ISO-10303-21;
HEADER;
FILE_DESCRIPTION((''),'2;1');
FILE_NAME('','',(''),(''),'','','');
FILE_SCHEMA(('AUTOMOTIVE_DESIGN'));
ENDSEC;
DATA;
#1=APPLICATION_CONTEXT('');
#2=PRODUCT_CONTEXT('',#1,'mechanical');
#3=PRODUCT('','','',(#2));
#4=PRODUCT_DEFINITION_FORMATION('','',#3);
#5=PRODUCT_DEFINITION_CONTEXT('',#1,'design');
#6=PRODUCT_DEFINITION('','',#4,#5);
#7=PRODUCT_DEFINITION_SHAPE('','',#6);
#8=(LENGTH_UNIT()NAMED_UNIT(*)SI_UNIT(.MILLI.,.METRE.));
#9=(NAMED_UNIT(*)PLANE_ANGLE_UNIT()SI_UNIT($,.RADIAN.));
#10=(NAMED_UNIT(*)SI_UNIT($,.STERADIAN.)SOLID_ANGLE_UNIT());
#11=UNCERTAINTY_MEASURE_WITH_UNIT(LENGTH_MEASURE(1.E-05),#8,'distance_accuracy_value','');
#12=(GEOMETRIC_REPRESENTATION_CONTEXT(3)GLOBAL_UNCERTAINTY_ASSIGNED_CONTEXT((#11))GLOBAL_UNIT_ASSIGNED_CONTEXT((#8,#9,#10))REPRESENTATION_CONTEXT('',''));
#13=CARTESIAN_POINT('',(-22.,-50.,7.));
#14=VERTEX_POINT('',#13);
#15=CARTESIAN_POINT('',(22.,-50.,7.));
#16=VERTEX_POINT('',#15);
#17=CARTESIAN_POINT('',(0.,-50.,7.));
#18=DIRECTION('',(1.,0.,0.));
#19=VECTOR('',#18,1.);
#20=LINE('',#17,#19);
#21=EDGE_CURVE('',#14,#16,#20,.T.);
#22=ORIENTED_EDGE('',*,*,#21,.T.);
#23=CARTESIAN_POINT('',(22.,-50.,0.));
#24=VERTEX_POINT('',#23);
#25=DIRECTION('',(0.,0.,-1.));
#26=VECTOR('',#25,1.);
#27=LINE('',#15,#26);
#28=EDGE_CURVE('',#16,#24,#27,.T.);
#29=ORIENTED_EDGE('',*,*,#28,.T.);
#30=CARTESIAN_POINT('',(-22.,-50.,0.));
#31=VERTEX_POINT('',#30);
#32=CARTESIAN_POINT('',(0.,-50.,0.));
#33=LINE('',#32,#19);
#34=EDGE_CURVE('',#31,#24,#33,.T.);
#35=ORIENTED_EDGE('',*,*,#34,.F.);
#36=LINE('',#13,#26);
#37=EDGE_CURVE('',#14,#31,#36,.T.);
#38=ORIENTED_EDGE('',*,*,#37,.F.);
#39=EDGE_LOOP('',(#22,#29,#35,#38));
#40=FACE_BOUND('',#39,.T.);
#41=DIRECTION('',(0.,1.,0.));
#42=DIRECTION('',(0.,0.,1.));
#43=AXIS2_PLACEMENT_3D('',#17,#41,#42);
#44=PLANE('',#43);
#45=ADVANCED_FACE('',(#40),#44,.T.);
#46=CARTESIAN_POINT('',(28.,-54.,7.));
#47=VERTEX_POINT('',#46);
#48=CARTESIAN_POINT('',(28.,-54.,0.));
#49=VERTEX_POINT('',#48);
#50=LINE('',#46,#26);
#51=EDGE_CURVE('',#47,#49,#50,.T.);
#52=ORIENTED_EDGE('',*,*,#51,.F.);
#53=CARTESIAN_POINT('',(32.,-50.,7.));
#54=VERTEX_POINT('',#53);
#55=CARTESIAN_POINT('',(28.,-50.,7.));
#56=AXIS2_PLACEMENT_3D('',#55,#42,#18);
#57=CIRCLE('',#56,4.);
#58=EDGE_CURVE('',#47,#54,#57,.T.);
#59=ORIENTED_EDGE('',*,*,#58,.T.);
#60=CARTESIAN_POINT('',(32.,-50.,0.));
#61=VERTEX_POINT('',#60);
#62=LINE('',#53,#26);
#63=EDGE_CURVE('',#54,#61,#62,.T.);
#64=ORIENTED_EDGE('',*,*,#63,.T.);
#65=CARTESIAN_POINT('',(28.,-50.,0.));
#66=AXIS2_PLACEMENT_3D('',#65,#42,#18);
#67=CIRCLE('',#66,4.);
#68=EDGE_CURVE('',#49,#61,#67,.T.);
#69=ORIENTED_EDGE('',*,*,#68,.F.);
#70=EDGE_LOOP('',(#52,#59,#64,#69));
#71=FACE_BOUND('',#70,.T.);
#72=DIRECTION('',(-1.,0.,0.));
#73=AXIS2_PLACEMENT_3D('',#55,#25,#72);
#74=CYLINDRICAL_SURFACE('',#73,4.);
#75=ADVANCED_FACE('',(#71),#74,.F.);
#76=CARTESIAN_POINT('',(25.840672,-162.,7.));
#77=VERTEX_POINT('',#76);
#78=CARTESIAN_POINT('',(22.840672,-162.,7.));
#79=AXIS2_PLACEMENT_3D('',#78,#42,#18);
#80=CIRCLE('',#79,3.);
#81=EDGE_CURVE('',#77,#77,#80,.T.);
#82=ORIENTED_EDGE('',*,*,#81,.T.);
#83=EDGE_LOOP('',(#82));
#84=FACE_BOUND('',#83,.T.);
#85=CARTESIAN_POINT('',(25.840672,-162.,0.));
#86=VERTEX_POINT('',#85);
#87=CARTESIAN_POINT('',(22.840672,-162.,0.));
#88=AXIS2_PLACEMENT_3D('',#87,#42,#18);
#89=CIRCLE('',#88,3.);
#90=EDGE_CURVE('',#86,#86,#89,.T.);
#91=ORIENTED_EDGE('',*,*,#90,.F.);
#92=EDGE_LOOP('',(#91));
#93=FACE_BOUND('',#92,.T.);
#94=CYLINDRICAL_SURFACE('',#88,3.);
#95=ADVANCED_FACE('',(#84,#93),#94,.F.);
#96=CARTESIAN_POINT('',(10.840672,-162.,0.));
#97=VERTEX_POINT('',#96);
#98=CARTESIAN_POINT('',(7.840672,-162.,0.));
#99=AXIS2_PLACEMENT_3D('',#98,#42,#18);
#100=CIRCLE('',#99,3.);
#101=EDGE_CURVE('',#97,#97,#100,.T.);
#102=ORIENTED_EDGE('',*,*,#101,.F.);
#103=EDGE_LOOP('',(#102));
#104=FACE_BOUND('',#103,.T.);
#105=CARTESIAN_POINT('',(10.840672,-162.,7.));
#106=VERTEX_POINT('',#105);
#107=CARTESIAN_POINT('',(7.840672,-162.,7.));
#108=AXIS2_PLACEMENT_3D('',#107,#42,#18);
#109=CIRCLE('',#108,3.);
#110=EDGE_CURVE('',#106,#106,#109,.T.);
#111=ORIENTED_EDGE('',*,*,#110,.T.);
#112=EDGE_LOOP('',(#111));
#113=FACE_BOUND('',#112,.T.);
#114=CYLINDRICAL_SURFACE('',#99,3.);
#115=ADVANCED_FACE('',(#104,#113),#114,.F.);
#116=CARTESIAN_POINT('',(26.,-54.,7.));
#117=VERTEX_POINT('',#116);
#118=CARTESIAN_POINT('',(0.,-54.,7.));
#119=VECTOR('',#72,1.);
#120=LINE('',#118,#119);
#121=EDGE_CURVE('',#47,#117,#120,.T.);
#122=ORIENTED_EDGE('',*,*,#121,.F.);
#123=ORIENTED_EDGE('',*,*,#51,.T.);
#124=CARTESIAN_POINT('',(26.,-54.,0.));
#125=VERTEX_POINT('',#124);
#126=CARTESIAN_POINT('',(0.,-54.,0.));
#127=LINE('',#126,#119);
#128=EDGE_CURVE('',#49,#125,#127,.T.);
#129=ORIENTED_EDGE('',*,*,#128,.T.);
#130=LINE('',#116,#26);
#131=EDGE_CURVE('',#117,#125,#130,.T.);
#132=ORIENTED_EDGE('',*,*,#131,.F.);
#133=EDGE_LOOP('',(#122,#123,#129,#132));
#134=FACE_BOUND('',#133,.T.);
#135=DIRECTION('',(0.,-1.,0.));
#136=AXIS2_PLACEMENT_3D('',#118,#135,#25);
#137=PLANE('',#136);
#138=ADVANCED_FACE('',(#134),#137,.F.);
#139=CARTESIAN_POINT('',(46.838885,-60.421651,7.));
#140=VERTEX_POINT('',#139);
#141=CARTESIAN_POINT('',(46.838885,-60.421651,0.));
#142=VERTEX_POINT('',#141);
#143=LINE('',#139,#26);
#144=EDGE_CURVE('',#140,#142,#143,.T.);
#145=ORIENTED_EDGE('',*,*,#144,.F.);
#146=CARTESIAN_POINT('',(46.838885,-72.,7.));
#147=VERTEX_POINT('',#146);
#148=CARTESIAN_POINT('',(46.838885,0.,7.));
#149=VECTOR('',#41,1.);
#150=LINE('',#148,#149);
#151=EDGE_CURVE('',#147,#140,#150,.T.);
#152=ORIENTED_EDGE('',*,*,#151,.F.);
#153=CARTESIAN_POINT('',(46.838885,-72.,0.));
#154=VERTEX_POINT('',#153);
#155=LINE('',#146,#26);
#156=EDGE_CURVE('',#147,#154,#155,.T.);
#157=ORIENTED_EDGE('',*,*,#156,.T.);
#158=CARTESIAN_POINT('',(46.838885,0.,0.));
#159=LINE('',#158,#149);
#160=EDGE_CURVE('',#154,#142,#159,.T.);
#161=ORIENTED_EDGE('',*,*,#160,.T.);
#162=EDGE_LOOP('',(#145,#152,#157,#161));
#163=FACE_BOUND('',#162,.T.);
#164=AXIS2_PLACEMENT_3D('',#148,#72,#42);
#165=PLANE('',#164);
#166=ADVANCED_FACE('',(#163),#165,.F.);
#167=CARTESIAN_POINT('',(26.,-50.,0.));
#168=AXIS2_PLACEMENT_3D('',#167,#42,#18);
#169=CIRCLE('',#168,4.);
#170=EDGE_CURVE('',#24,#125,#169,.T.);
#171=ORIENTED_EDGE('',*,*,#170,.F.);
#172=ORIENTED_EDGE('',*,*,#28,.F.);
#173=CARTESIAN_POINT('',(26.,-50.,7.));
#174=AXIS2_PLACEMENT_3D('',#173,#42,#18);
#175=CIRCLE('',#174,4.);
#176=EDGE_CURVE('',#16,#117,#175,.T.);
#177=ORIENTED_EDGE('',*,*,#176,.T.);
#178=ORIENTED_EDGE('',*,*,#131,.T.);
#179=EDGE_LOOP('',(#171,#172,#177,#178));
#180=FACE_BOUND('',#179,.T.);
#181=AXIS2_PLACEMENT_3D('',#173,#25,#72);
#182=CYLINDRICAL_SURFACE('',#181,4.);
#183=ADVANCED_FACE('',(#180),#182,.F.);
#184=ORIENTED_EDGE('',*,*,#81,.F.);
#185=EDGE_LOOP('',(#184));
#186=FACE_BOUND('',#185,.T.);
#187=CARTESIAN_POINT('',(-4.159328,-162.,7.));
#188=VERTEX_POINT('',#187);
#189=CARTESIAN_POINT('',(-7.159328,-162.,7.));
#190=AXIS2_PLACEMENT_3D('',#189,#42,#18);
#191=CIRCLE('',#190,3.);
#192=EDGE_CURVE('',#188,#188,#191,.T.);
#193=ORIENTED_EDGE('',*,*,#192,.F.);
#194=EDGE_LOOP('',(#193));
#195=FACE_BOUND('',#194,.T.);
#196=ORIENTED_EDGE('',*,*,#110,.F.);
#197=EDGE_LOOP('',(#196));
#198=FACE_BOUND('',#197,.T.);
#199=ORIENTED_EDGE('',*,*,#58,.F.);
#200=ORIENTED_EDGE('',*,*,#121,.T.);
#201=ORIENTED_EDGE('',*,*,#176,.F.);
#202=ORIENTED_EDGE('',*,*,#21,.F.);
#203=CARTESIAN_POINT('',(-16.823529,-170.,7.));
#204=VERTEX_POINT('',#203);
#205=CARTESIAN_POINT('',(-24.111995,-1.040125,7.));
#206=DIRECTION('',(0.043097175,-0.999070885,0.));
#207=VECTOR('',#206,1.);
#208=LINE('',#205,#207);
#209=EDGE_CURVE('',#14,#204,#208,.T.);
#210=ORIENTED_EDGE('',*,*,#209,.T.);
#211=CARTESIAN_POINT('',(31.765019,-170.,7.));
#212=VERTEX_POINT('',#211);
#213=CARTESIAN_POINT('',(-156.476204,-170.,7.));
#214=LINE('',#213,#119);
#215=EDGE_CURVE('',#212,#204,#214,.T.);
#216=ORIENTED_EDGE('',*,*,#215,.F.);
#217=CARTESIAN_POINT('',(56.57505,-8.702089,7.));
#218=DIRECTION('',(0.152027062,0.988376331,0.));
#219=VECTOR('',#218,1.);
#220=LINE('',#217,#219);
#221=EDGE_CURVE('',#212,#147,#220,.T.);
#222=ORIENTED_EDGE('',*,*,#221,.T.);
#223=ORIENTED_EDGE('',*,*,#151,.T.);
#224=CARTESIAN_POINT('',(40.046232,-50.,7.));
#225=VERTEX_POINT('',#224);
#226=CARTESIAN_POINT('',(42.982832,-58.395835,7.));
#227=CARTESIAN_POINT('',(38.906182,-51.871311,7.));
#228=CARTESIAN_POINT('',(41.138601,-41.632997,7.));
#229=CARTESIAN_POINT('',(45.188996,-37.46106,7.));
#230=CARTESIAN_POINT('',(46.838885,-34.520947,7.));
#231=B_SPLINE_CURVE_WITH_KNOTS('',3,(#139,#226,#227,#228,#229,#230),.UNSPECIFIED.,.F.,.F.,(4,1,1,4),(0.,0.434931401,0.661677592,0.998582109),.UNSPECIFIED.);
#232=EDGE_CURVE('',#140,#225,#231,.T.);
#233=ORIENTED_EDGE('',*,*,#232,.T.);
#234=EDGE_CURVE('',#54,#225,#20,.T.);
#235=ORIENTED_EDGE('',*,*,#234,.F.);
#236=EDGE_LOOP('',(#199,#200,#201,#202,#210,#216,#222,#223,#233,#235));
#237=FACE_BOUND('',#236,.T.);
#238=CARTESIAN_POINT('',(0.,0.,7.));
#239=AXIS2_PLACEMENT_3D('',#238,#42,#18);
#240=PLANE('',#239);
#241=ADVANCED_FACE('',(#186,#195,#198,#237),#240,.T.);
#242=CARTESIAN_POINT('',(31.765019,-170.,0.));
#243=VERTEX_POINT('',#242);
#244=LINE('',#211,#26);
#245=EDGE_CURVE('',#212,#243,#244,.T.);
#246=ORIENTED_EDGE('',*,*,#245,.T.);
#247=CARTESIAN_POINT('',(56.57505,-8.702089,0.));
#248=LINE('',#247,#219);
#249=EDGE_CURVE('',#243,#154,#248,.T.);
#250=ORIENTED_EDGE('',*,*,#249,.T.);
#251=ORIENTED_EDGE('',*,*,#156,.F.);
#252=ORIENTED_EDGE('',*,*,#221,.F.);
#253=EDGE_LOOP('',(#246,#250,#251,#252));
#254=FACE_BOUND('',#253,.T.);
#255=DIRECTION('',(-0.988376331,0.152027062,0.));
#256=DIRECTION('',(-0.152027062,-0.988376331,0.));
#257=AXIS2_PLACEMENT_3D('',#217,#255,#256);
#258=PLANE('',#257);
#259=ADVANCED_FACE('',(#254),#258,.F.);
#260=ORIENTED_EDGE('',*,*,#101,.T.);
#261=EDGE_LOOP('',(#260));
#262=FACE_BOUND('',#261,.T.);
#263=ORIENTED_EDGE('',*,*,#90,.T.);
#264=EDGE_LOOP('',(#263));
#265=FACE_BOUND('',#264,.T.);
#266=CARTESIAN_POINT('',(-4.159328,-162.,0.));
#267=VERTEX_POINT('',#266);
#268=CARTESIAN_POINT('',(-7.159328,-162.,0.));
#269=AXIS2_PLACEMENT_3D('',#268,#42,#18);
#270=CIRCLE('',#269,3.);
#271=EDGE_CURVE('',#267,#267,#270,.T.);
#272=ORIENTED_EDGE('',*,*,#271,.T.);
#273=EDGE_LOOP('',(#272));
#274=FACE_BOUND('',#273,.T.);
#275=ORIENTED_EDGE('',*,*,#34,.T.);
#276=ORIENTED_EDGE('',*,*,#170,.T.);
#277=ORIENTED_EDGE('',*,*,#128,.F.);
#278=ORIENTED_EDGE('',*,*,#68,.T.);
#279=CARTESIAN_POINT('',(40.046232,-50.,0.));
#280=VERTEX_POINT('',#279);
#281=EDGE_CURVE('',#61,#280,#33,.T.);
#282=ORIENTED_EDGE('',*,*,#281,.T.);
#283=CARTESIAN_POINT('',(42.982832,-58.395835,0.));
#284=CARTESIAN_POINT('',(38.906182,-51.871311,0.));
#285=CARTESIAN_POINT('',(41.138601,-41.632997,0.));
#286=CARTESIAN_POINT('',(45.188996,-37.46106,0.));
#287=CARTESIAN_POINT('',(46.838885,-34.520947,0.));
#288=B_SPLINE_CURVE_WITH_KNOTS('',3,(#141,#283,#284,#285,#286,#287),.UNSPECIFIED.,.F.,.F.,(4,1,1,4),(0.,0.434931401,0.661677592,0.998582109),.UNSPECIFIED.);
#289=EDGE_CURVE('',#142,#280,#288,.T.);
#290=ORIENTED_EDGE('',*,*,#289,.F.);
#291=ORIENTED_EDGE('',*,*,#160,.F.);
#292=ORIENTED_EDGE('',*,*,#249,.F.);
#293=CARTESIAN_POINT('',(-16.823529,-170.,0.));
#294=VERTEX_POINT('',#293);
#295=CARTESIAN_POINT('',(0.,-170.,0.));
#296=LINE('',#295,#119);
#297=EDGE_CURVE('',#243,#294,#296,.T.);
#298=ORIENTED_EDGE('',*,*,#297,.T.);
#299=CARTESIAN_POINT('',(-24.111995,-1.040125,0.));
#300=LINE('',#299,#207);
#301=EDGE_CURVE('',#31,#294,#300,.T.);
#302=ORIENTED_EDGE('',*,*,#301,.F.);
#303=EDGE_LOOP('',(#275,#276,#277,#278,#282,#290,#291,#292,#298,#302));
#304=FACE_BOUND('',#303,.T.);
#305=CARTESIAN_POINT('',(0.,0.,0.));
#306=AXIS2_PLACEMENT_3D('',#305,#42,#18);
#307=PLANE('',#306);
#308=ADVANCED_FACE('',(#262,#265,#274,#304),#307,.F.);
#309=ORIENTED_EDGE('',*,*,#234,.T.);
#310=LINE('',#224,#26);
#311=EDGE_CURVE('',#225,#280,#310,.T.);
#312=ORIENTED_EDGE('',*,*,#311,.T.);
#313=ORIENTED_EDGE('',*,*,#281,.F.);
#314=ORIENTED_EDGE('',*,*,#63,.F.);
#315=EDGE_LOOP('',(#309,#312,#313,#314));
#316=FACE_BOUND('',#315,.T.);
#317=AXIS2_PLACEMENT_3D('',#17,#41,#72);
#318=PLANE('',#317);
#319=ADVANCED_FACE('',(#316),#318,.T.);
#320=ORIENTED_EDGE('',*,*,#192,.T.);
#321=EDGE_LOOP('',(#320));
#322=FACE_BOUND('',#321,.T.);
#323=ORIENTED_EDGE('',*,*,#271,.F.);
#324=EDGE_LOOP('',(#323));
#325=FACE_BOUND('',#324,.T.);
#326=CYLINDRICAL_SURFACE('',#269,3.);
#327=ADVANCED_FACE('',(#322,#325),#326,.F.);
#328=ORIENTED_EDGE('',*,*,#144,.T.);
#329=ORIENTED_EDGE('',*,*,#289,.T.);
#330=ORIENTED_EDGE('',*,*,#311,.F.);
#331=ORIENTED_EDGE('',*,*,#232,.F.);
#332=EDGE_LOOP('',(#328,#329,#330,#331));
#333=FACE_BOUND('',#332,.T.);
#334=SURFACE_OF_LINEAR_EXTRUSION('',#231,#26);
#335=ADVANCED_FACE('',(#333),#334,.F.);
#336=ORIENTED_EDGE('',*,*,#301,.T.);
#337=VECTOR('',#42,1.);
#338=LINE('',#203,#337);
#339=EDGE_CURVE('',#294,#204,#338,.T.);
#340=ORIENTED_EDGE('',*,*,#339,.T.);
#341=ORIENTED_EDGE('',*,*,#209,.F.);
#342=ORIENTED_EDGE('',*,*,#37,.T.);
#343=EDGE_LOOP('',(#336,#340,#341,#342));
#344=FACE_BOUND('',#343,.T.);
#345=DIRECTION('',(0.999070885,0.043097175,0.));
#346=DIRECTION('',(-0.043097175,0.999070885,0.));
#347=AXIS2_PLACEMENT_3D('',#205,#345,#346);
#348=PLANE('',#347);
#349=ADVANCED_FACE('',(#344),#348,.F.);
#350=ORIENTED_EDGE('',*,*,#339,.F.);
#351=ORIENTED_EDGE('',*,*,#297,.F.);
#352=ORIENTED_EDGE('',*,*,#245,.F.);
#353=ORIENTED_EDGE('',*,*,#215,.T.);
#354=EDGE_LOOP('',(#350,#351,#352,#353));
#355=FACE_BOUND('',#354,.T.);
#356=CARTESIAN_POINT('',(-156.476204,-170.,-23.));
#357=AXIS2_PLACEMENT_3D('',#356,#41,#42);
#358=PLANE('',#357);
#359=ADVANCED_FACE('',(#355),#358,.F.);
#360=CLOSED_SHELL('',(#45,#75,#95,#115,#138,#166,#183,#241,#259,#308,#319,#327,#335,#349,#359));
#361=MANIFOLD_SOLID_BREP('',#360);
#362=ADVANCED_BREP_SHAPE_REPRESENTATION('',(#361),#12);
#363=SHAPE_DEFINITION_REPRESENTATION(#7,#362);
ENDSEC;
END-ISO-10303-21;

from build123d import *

# Parameters (mm, degrees)
SKETCH1_R           = 4.5
BOSS_EXTRUDE1_DEPTH = 7
SKETCH2_W           = 402.918493315
SKETCH2_H           = 212.645905023
CUT_EXTRUDE1_DEPTH  = 30
SKETCH3_R           = 3
CUT_EXTRUDE2_DEPTH  = 8.0000001


with BuildPart() as part:
    # Sketch1 → Boss-Extrude1 (new body)
    with BuildSketch(Plane.XY):
        with BuildLine():
            Line((22, -50), (-22, -50))
            Line((-22, -50), (-11, -305))
            ThreePointArc((-11, -305), (0, -315.535719965), (11, -305))
            Line((11, -305), (46.838884711, -72))
            Line((46.838884711, -72), (46.838884711, -60.421650598))
            add(Edge.make_bspline(
                [(46.838884711, -60.421650596), (43.068657692, -58.44092391), (40.423050609, -54.296947681), (40.046232129, -50)],
                knots=[0, 0, 0, 0, 0.425250978, 0.425250978, 0.425250978, 0.425250978], degree=3))
            Line((40.046232129, -50), (32, -50))
            ThreePointArc((32, -50), (30.828427125, -52.828427125), (28, -54))
            Line((28, -54), (26, -54))
            ThreePointArc((26, -54), (23.171572875, -52.828427125), (22, -50))
        make_face()
        with Locations((0, -305)):
            Circle(SKETCH1_R, mode=Mode.SUBTRACT)
    extrude(amount=BOSS_EXTRUDE1_DEPTH)

    # Sketch2 → Cut-Extrude1 (cut)
    with BuildSketch(Plane.XY.offset(7)):
        with Locations((44.983042226, -276.322952512)):
            Rectangle(SKETCH2_W, SKETCH2_H)
    extrude(amount=-CUT_EXTRUDE1_DEPTH, mode=Mode.SUBTRACT)

    # Sketch3 → Cut-Extrude2 (cut, through all)
    with BuildSketch(Plane.XY.offset(7)):
        with Locations((-7.159327661, -162)):
            Circle(SKETCH3_R)
        with Locations((7.840672339, -162)):
            Circle(SKETCH3_R)
        with Locations((22.840672339, -162)):
            Circle(SKETCH3_R)
    extrude(amount=-CUT_EXTRUDE2_DEPTH, mode=Mode.SUBTRACT)


solid = part.part
